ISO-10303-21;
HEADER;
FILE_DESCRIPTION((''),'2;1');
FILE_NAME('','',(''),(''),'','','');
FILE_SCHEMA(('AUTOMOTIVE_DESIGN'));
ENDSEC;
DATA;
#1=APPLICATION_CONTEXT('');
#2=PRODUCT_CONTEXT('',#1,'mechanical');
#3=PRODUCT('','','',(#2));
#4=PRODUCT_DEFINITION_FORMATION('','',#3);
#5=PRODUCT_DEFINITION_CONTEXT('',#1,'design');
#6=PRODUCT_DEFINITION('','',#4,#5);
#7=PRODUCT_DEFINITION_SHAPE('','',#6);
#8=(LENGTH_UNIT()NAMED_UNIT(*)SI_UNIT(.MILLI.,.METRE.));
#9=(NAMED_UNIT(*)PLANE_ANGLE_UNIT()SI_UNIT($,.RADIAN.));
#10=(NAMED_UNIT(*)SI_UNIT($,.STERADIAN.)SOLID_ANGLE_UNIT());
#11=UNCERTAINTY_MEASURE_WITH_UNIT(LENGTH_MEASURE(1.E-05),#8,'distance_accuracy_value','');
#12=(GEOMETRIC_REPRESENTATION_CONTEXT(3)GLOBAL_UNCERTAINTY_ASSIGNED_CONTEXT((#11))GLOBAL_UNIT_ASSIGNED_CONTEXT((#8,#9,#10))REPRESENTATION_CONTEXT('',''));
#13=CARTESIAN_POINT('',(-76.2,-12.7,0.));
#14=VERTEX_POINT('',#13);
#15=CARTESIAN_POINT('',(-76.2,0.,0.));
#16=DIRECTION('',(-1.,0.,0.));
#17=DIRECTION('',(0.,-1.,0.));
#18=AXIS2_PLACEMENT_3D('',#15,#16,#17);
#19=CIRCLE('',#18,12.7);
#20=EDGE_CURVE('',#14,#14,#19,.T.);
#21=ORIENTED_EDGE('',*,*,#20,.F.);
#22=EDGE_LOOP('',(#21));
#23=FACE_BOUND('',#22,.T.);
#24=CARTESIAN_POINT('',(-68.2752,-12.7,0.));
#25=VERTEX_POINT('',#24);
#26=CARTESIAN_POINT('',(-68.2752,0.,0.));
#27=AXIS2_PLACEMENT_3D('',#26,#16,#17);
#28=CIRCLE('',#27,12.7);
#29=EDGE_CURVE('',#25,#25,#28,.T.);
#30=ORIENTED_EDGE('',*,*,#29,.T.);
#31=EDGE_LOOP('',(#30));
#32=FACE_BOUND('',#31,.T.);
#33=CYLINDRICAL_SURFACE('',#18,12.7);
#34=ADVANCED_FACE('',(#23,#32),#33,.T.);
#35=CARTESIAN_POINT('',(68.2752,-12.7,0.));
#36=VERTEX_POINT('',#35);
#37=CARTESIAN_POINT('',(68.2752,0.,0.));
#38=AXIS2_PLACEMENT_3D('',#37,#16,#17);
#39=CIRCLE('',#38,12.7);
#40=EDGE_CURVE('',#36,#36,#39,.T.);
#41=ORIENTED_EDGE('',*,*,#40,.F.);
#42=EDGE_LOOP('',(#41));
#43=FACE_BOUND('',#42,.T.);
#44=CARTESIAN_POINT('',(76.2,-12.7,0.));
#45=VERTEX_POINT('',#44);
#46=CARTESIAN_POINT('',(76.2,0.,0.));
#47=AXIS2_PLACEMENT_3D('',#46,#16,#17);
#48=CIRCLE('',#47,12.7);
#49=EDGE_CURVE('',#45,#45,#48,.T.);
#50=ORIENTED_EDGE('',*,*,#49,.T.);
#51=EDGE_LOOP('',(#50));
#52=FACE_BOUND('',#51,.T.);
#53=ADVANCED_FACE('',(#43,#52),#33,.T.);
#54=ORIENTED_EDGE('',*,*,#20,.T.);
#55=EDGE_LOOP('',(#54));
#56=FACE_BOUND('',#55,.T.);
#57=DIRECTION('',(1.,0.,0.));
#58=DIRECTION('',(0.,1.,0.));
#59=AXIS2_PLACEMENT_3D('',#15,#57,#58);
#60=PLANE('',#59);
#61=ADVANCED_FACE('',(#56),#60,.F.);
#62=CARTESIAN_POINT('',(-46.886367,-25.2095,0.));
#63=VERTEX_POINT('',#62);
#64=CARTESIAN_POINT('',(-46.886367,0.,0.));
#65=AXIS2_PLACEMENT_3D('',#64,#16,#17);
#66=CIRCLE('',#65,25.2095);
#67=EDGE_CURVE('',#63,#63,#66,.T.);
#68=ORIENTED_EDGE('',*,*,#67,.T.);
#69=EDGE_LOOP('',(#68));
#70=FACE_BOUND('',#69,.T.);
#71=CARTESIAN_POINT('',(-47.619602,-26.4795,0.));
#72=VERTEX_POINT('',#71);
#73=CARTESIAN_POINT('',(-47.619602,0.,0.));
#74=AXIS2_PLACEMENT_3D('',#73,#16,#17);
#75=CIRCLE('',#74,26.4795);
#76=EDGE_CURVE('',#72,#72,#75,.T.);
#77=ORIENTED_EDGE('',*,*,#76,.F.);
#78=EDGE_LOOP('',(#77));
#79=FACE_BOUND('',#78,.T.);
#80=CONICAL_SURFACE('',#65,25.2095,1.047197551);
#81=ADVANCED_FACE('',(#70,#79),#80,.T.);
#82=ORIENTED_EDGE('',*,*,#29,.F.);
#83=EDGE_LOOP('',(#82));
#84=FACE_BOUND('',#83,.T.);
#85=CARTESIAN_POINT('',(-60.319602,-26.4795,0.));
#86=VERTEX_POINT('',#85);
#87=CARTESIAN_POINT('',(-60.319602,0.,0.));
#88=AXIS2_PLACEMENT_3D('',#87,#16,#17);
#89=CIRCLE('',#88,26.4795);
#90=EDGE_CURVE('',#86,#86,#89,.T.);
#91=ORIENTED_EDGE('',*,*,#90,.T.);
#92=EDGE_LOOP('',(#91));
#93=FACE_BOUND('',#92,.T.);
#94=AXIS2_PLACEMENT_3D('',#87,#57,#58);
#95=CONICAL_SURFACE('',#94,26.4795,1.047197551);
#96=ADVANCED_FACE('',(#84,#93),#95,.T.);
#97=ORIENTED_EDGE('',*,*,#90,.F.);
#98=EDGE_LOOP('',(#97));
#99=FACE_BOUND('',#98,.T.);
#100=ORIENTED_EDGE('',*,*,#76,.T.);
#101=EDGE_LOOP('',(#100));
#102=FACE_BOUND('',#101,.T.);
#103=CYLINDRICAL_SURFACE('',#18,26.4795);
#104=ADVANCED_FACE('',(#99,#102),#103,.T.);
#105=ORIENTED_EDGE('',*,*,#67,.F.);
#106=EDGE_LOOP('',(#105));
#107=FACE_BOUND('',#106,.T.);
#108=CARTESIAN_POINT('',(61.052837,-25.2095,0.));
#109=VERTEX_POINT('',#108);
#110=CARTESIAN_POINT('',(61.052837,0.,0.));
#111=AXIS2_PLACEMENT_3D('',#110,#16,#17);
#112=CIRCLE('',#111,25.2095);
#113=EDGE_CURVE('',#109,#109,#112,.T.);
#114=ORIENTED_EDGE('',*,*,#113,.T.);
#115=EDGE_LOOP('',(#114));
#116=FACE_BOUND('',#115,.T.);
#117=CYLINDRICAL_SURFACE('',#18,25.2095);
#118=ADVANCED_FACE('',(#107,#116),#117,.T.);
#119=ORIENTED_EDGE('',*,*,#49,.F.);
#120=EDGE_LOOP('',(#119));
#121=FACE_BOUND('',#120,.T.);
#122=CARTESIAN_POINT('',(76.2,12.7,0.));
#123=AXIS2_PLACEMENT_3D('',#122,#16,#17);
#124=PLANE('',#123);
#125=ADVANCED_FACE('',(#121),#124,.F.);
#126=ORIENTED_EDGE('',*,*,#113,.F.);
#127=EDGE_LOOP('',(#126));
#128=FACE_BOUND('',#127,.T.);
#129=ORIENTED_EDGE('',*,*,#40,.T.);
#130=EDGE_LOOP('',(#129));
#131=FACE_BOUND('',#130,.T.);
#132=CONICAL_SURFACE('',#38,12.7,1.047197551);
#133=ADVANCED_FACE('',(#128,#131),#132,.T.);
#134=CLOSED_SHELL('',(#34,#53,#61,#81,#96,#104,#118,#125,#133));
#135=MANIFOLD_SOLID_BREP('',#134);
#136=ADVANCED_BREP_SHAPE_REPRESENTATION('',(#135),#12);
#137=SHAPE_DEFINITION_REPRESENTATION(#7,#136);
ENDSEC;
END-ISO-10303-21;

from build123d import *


with BuildPart() as part:
    # Sketch3 → Revolve1 (revolve)
    with BuildSketch(Plane.XY, mode=Mode.PRIVATE) as revolve1_sk:
        Polygon((-76.2, 0), (-76.2, 12.7), (-68.2752, 12.7), (-60.319601966, 26.4795), (-47.619601966, 26.4795), (-46.886367124, 25.2095), (61.052836808, 25.2095), (68.2752, 12.7), (76.2, 12.7), (76.2, 0), align=None)
    revolve(revolve1_sk.sketch.rotate(Axis((-76.2, 0, 0), (1, 0, 0)), 180), axis=Axis((-76.2, 0, 0), (1, 0, 0)))


solid = part.part
